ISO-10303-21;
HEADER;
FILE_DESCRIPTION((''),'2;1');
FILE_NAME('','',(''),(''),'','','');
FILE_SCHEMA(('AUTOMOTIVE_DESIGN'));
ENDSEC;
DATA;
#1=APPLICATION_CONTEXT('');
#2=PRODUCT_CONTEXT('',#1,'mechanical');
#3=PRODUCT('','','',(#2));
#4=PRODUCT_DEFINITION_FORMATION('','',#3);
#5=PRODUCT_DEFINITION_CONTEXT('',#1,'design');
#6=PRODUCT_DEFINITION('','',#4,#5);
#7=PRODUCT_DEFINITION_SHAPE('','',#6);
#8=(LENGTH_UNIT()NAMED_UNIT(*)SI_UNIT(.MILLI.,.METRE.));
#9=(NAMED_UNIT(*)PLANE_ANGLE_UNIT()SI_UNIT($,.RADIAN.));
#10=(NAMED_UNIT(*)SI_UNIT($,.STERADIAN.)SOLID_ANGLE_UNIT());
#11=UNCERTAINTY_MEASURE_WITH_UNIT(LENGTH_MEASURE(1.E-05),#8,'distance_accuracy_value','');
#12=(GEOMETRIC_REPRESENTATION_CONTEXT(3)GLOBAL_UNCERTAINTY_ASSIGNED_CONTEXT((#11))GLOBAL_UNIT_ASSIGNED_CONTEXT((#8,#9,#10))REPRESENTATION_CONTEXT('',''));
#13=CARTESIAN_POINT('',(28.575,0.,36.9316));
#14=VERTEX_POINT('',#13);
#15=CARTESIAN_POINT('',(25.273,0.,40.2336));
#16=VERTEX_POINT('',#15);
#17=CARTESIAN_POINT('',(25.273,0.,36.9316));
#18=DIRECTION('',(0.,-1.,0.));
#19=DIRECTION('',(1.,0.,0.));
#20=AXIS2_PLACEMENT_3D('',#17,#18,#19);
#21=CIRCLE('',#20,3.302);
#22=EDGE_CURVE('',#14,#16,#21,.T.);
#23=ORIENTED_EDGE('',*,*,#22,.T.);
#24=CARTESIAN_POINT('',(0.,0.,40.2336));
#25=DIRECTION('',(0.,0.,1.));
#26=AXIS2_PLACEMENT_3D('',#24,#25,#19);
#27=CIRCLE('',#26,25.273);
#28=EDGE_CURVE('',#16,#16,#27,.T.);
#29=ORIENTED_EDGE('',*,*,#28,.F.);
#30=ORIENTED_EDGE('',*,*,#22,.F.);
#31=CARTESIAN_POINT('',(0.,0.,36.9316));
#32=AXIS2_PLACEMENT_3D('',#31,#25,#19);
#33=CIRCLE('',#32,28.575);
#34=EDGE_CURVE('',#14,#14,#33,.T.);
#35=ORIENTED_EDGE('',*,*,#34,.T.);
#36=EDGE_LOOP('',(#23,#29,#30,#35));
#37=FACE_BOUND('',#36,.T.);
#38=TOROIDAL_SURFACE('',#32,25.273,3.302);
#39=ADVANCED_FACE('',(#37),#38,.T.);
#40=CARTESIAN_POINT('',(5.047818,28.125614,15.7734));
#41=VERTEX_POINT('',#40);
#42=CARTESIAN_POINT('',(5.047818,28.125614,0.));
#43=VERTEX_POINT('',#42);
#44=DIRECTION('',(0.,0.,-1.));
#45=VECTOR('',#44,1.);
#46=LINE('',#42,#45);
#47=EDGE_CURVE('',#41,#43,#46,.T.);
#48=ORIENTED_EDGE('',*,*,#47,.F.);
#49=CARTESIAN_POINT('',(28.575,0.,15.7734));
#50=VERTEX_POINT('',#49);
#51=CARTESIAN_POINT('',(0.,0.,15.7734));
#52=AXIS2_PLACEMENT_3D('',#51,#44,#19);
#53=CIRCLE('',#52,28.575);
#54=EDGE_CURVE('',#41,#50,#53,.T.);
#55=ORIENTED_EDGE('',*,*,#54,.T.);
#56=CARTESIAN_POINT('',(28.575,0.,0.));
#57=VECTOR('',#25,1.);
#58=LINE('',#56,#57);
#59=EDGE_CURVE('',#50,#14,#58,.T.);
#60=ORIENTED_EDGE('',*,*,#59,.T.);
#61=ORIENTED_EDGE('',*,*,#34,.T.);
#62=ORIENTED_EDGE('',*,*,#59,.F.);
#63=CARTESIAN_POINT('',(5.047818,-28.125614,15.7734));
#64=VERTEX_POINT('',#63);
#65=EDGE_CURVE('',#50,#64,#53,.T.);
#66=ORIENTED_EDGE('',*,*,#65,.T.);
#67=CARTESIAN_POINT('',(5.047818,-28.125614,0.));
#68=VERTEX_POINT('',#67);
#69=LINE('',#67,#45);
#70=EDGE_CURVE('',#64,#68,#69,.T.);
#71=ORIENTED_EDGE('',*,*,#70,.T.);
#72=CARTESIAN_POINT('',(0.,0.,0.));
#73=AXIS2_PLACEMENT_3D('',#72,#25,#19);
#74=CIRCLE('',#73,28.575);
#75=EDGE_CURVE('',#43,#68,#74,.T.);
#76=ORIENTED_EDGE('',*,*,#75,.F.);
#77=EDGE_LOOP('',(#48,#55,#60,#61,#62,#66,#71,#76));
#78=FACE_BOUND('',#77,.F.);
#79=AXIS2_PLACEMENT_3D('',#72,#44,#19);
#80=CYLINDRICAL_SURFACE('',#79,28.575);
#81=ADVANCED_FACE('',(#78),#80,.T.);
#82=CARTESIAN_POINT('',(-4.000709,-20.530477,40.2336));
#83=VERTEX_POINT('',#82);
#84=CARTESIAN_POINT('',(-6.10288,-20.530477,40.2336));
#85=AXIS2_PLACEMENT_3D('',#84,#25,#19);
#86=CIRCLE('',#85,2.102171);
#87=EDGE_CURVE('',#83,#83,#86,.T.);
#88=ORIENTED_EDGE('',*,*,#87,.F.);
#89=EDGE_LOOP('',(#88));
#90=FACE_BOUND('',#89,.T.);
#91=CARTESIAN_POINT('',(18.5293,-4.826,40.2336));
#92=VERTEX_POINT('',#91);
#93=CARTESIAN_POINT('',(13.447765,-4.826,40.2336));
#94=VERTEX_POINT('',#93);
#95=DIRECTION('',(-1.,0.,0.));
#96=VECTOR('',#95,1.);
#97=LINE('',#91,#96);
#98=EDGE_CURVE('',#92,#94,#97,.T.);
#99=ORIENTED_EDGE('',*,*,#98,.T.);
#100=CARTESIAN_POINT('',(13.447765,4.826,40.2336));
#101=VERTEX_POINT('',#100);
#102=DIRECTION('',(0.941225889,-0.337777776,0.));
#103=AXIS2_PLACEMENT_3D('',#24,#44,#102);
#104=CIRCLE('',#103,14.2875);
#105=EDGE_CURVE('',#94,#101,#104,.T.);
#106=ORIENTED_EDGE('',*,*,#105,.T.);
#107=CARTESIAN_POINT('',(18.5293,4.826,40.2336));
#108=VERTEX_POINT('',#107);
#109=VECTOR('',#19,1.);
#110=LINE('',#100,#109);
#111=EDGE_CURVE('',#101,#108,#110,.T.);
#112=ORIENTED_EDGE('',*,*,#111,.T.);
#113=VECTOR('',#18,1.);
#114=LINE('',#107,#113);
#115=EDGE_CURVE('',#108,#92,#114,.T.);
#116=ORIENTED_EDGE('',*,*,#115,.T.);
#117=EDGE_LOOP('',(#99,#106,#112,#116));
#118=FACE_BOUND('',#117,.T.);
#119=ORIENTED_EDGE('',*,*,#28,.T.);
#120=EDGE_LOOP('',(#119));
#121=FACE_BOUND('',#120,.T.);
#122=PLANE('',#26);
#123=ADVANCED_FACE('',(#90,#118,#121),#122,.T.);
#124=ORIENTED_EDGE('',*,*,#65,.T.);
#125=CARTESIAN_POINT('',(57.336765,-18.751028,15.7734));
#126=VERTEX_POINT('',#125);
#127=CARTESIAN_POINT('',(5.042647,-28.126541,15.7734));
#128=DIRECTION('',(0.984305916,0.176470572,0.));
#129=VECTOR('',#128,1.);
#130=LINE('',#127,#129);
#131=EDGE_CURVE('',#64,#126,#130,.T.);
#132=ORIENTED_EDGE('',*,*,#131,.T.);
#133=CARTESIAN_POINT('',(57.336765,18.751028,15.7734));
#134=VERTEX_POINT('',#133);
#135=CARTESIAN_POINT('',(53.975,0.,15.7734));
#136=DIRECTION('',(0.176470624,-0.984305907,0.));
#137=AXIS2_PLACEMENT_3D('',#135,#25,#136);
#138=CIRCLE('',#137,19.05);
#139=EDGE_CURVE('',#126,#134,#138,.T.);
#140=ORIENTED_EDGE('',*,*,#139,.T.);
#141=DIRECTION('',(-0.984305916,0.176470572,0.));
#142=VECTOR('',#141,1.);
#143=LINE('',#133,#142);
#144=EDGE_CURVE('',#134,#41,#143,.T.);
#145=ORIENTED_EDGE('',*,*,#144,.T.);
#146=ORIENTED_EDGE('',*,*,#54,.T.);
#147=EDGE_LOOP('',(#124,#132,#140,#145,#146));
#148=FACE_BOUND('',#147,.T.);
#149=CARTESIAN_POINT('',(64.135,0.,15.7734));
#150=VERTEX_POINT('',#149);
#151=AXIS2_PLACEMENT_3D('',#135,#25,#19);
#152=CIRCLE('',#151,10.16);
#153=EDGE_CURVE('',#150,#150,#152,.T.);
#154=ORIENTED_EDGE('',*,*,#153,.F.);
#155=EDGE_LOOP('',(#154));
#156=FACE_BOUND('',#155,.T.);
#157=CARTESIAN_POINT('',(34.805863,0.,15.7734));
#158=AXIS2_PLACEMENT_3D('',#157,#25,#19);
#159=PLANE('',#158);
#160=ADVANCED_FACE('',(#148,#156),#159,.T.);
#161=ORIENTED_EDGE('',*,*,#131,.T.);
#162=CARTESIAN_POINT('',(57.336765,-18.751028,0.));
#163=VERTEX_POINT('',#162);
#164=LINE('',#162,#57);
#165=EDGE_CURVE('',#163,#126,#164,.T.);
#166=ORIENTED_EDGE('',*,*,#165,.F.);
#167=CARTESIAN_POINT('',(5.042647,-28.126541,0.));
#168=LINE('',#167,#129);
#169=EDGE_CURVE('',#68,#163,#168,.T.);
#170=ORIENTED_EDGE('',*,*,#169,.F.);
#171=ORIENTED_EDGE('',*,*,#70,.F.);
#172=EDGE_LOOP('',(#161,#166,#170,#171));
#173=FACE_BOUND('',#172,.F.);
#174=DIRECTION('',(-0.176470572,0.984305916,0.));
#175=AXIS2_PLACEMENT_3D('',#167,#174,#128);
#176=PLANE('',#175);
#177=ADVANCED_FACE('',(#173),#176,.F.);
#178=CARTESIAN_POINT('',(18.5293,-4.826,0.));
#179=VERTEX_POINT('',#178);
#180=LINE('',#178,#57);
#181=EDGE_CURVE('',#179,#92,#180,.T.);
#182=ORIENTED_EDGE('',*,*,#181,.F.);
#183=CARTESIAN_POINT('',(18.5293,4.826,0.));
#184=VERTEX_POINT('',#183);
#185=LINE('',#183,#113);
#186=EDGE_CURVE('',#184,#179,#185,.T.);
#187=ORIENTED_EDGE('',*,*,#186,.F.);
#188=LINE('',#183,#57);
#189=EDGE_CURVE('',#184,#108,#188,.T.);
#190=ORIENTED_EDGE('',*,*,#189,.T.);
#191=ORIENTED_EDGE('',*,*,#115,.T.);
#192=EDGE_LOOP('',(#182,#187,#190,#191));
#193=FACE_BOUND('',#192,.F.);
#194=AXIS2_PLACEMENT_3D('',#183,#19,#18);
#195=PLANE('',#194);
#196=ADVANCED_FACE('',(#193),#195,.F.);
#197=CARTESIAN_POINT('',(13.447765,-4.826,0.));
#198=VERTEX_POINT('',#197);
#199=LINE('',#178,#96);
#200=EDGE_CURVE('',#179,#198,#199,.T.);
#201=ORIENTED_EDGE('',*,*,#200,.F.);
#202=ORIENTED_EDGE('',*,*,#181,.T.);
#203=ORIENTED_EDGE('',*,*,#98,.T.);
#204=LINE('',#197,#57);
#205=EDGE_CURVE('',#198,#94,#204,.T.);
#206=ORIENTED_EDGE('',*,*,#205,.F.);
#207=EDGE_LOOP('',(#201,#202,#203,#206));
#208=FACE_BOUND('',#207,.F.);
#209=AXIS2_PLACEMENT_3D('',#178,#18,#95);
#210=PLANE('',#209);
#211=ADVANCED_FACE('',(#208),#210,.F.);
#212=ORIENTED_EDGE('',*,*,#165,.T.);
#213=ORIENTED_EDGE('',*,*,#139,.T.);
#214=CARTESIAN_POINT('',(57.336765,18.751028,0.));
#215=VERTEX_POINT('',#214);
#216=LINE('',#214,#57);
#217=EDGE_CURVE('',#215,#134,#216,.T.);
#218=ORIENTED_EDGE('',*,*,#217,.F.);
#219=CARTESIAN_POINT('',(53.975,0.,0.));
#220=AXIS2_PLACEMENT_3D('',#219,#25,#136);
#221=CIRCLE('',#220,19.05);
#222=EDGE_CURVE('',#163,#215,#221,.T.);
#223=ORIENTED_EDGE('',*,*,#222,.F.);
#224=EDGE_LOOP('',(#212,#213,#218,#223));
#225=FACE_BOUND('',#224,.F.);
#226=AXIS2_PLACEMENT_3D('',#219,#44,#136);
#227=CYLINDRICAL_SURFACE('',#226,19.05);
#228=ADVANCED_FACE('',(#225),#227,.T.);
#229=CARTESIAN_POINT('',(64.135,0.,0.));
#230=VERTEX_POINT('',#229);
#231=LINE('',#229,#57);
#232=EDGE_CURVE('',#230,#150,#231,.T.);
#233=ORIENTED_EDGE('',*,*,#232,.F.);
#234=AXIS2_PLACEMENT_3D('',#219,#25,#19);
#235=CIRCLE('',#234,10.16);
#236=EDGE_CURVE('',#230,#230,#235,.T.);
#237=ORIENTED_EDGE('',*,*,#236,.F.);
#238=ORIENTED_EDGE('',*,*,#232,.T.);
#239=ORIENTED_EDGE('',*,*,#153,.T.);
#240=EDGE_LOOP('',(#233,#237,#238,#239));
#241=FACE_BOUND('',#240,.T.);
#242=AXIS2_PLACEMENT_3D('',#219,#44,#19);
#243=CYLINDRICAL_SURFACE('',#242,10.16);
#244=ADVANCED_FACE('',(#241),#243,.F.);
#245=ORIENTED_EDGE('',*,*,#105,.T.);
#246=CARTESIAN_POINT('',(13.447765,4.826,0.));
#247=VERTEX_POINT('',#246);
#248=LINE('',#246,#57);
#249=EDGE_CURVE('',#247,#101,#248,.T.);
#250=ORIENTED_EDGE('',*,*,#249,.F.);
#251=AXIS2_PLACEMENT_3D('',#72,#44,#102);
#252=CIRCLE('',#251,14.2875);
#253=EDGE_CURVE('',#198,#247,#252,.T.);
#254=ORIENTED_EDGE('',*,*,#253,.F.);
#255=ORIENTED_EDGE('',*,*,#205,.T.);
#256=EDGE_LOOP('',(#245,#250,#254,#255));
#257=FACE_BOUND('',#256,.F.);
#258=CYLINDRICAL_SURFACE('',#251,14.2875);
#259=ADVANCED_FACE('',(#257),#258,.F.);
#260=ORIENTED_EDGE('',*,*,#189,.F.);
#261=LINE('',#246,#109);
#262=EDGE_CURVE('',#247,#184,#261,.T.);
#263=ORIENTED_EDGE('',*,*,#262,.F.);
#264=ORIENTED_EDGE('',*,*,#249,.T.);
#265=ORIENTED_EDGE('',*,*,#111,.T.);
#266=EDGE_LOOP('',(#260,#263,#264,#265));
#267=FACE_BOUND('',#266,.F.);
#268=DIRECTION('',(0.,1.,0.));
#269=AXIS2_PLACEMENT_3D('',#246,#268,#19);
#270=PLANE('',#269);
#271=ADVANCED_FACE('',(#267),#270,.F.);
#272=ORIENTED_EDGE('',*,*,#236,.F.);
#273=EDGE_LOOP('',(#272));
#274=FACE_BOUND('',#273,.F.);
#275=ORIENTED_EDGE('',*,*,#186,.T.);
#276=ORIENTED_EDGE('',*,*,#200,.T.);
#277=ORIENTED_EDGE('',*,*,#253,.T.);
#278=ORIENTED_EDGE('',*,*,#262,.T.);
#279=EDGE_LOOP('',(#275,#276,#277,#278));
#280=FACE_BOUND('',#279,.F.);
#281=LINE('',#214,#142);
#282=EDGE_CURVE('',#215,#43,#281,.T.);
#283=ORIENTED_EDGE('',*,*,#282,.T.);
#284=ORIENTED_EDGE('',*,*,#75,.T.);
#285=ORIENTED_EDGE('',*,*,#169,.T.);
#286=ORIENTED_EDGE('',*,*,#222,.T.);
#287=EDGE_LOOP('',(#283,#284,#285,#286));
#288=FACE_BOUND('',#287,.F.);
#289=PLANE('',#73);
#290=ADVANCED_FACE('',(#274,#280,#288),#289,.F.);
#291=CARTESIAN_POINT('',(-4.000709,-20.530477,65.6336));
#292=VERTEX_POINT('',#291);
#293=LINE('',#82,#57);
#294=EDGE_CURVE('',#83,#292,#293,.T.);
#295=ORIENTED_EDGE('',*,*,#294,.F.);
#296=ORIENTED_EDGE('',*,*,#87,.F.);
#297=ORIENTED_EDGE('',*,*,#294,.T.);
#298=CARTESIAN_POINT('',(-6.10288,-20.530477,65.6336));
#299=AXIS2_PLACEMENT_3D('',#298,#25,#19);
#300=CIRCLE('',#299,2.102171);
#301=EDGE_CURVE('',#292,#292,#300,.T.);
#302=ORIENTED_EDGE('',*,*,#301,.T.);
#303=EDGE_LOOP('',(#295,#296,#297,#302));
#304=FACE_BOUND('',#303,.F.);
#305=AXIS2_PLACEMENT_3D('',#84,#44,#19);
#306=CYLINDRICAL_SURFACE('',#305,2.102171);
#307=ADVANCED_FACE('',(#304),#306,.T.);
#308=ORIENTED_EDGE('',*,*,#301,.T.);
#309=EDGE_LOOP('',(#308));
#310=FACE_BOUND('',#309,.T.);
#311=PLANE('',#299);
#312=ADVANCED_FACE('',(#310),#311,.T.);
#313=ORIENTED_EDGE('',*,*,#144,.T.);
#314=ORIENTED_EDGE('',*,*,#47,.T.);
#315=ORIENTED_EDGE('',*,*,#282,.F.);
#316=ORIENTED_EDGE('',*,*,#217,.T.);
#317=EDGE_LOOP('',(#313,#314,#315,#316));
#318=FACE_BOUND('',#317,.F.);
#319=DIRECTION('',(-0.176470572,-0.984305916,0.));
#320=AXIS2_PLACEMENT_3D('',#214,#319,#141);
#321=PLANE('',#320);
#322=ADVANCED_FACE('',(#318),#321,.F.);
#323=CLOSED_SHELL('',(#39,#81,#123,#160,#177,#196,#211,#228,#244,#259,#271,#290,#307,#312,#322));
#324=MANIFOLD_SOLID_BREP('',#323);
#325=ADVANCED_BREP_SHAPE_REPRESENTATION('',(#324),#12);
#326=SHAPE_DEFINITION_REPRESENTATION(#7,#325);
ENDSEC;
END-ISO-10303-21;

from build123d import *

# Parameters (mm, degrees)
F0_R     = 28.575
F1_DEPTH = 40.2336
F2_R     = 10.16
F3_DEPTH = 15.7734
F4_R     = 3.302
F5_R     = 2.102171
F6_DEPTH = 25.4


with BuildPart() as f1:
    # F0 (on Top) → F1 (new body)
    with BuildSketch(Plane.XY):
        Circle(F0_R)
        with BuildLine():
            ThreePointArc((13.447765, -4.826), (-14.2875, 0), (13.447765, 4.826))
            Line((13.447765, 4.826), (18.5293, 4.826))
            Line((18.5293, 4.826), (18.5293, -4.826))
            Line((18.5293, -4.826), (13.447765, -4.826))
        make_face(mode=Mode.SUBTRACT)
    extrude(amount=F1_DEPTH)

    # F2 (on Top) → F3 (join)
    with BuildSketch(Plane.XY):
        with BuildLine():
            Line((5.042647, -28.126541), (57.336765, -18.751028))
            ThreePointArc((57.336765, -18.751028), (73.025, 0), (57.336765, 18.751028))
            Line((57.336765, 18.751028), (5.042647, 28.126541))
            ThreePointArc((5.042647, 28.126541), (28.575, 0), (5.042647, -28.126541))
        make_face()
        with Locations((53.975, 0)):
            Circle(F2_R, mode=Mode.SUBTRACT)
    extrude(amount=F3_DEPTH)

    # F4
    f4_edges = [f1.edges().sort_by_distance(p)[0] for p in [
        (-28.575, 0, 40.2336),
    ]]
    fillet(f4_edges, radius=F4_R)

    # F5 (on face) → F6 (join)
    with BuildSketch(Plane.XY.offset(40.2336)):
        with Locations((-6.10288, -20.530477)):
            Circle(F5_R)
    extrude(amount=F6_DEPTH)


solid = f1.part
